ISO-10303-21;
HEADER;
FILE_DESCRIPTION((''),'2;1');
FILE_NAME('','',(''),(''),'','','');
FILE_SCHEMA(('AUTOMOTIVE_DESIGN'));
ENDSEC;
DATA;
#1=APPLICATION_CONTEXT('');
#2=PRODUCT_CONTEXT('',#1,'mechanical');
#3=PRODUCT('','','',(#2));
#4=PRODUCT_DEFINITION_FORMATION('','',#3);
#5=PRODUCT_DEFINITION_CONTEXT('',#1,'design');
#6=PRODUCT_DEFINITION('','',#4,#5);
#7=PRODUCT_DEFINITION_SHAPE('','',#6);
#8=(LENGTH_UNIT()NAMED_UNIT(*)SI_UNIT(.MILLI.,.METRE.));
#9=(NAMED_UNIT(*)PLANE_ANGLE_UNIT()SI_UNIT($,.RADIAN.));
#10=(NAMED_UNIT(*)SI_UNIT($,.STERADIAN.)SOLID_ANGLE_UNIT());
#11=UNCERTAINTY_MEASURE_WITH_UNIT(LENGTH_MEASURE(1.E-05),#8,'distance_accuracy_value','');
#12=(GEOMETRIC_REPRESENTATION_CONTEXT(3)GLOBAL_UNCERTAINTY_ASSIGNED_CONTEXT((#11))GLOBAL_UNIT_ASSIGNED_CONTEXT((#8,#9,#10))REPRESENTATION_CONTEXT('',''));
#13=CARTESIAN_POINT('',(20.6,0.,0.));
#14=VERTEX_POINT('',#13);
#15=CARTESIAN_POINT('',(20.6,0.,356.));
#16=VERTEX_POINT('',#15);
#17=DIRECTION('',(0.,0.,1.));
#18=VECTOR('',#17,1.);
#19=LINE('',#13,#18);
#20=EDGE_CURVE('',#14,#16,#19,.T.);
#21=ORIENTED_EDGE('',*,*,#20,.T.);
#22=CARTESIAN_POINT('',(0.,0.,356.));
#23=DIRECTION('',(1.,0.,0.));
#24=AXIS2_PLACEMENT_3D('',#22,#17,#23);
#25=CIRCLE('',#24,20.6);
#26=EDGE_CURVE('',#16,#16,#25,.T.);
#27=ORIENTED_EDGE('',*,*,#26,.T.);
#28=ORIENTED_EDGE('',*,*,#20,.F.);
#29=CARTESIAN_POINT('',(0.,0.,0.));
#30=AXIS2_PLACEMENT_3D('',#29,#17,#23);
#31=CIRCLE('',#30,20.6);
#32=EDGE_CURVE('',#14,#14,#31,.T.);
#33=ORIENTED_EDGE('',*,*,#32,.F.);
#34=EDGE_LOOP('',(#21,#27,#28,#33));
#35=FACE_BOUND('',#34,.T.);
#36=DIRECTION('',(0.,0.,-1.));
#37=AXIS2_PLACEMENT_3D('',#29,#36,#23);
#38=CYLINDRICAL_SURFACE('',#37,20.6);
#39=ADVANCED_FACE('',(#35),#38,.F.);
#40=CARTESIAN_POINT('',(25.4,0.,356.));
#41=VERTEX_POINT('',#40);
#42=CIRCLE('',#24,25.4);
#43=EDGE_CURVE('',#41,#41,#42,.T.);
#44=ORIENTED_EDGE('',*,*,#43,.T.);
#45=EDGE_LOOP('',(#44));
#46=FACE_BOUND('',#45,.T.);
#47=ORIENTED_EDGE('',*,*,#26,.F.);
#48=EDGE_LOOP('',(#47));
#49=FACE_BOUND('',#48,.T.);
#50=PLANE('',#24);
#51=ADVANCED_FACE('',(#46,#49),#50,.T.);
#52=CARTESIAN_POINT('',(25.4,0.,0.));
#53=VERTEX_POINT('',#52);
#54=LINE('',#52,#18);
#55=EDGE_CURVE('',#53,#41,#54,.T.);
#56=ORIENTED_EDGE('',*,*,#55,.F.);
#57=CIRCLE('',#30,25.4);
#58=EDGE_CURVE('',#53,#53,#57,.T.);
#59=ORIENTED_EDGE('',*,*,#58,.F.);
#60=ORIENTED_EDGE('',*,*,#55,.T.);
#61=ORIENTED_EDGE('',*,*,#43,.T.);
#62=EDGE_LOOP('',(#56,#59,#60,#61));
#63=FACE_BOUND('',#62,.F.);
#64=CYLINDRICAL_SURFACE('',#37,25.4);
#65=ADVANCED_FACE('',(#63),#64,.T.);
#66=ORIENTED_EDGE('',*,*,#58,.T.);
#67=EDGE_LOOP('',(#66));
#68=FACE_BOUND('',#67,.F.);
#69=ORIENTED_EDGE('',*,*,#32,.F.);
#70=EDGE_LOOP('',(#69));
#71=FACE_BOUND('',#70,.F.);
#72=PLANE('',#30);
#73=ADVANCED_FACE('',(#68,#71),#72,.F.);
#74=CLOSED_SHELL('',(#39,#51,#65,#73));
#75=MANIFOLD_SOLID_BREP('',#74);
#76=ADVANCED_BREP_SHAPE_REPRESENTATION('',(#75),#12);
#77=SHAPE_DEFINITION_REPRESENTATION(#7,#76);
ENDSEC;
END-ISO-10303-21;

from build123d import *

# Parameters (mm, degrees)
SKETCH_R   = 25.4
SKETCH_R_2 = 20.6
PAD_DEPTH  = 356


with BuildPart() as part:
    # Sketch → Pad (new body)
    with BuildSketch(Plane.XY):
        Circle(SKETCH_R)
        Circle(SKETCH_R_2, mode=Mode.SUBTRACT)
    extrude(amount=PAD_DEPTH)


solid = part.part
